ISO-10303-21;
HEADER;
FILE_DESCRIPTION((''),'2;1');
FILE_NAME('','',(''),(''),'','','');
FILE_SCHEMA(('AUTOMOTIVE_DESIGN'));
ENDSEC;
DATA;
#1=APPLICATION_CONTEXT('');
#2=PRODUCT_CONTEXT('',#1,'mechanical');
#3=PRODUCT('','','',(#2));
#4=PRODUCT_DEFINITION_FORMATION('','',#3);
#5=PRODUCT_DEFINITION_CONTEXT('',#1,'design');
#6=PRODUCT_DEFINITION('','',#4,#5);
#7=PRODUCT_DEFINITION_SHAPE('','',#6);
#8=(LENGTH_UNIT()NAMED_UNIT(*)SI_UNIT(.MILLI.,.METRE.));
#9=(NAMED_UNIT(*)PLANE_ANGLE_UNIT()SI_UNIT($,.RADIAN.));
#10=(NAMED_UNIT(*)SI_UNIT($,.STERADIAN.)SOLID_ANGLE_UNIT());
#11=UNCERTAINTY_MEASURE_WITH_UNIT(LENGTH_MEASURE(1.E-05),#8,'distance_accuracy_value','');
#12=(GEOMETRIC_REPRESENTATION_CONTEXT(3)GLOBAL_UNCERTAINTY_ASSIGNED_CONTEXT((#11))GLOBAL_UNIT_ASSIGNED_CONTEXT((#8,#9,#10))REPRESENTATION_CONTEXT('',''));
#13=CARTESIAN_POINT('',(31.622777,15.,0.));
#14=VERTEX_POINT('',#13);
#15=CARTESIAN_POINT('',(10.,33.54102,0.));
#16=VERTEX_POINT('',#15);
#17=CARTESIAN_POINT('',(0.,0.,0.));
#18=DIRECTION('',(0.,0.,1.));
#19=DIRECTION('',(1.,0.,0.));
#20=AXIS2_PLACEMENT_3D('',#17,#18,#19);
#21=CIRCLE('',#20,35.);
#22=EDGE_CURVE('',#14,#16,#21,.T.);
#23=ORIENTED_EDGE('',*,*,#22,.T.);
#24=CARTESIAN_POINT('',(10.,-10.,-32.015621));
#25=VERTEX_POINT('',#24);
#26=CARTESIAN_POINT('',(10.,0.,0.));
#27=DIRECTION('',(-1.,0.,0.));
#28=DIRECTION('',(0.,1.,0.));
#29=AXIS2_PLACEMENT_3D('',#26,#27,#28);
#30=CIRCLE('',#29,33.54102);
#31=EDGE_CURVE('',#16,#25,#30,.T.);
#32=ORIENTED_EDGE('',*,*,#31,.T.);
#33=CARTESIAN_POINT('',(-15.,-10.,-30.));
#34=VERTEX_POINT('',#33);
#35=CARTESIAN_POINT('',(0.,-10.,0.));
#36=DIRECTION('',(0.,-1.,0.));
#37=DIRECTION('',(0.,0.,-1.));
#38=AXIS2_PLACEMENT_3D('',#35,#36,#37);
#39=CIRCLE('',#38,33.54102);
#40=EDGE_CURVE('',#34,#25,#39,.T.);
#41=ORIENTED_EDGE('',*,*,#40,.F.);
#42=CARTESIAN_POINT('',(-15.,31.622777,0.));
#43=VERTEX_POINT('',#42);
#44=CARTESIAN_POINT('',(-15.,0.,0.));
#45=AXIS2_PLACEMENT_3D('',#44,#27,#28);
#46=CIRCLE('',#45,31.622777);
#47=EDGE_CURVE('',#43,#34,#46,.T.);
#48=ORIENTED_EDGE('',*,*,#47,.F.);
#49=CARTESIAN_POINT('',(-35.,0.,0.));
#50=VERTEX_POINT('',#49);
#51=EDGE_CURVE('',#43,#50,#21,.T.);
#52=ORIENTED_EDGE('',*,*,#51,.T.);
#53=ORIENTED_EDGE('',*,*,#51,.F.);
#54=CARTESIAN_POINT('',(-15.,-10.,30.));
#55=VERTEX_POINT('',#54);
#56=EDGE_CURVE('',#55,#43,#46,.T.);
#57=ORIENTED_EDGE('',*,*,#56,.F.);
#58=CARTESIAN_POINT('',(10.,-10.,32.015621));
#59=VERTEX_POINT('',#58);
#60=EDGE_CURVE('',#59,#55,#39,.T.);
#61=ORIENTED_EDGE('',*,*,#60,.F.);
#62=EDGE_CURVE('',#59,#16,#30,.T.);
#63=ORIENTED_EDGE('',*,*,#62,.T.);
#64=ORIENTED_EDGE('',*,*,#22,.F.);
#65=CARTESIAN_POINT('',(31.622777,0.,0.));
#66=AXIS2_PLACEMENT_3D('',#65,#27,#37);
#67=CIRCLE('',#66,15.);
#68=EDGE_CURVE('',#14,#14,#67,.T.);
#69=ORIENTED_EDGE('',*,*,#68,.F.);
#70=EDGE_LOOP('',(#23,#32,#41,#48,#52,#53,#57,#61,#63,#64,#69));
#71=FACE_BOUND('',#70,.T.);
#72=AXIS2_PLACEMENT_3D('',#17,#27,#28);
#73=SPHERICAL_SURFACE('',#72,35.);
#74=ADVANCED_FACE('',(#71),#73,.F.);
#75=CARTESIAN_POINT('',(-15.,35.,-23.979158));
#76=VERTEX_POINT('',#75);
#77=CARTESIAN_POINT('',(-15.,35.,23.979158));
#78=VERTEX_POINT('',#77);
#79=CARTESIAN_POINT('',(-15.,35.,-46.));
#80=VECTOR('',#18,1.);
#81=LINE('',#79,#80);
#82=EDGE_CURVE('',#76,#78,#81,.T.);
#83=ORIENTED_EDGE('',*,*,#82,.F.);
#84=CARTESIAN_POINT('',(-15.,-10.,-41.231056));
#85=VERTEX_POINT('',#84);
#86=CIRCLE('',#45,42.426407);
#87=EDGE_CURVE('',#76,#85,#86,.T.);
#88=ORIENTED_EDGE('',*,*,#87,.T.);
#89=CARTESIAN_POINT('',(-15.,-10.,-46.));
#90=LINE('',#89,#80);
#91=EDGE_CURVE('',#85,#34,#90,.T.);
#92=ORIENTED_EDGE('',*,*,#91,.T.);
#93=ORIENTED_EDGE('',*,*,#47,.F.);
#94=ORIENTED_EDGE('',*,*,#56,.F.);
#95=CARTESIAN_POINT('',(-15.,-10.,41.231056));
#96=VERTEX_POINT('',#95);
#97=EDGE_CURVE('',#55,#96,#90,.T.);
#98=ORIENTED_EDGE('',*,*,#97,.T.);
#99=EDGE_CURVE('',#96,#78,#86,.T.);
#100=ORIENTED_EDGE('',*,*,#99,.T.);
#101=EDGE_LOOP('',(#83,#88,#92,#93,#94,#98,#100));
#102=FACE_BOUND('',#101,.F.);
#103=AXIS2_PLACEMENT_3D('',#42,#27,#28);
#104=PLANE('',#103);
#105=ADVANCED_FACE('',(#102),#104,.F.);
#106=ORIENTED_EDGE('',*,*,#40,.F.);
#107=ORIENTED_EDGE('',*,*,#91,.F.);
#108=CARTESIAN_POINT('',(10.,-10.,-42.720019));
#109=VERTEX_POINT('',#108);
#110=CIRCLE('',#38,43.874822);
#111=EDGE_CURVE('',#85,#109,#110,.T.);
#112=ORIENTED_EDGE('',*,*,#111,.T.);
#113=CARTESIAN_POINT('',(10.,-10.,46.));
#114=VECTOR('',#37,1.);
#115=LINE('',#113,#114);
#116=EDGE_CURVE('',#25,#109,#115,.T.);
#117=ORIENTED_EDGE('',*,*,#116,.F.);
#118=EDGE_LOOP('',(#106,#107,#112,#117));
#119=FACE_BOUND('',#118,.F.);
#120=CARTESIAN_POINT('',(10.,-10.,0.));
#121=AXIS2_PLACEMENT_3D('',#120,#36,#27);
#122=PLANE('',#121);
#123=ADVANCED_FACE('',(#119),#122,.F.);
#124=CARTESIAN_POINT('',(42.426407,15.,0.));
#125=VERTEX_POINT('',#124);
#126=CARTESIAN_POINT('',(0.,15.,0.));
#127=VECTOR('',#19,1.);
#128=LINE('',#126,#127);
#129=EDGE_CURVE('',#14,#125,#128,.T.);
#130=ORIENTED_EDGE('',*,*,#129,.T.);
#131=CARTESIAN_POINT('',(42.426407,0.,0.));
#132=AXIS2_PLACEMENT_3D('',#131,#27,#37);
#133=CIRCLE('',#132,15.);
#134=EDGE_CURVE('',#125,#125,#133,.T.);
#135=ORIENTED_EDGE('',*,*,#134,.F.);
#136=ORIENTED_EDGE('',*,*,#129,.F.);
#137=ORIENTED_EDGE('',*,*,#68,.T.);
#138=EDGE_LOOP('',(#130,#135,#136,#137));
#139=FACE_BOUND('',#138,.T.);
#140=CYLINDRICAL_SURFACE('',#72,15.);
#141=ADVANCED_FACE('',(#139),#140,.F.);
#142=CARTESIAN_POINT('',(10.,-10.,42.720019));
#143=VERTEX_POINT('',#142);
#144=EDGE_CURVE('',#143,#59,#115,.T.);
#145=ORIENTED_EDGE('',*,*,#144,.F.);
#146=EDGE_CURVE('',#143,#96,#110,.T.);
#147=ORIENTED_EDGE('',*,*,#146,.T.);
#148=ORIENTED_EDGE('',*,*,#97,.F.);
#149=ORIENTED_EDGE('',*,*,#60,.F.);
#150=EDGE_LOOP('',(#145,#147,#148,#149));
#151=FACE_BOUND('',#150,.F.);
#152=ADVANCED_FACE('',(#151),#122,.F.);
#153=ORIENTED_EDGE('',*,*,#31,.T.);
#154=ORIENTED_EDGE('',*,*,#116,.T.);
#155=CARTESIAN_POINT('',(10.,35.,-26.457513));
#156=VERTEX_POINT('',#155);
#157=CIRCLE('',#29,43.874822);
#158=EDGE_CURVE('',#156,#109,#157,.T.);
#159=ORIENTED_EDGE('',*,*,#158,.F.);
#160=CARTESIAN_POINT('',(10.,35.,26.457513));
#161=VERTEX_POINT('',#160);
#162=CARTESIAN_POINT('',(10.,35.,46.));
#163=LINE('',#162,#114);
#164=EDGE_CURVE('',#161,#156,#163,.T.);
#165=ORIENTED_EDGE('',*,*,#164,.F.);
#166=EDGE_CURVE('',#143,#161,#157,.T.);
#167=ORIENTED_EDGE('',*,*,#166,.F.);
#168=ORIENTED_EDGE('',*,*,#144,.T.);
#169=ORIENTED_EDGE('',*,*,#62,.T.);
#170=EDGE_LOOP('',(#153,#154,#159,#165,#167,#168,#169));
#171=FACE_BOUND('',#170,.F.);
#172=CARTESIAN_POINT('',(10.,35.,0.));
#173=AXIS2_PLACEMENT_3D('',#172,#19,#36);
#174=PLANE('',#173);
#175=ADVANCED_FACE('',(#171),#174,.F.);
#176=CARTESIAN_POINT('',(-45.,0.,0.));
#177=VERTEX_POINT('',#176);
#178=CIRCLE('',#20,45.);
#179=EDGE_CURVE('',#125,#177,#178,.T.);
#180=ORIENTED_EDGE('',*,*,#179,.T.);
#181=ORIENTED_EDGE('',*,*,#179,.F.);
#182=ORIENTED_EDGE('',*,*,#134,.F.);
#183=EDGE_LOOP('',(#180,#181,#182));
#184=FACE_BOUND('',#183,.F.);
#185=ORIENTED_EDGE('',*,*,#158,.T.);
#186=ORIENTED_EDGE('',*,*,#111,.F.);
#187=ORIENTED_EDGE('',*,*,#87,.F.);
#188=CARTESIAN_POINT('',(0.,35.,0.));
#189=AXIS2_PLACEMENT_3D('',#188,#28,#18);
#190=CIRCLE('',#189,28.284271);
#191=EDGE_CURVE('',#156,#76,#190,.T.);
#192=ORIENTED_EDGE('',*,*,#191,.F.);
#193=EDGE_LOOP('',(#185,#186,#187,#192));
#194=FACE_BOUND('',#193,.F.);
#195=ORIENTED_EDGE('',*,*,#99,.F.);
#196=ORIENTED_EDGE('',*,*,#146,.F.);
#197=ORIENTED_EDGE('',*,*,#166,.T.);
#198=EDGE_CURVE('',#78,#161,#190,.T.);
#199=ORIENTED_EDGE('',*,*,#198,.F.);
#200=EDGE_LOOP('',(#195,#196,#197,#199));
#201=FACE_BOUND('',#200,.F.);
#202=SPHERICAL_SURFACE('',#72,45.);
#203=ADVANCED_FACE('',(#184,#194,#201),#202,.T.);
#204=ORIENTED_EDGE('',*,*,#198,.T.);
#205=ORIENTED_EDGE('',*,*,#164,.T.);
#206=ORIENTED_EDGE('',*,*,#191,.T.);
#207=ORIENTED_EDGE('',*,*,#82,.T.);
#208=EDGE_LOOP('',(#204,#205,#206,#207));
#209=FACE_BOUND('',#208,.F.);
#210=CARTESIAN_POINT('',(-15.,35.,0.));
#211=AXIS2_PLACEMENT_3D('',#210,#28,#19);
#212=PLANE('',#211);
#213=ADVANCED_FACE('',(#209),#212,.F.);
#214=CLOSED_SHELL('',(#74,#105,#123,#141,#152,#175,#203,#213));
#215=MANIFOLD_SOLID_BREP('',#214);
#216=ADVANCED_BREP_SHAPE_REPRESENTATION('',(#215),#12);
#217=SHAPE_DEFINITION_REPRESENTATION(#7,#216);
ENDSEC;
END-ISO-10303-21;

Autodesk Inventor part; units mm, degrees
ref_plane "YZ Plane" through (0, 0, 0) normal (1, 0, 0) x (0, 1, 0)
ref_plane "XZ Plane" through (0, 0, 0) normal (0, 1, 0) x (-1, 0, 0)
ref_plane "XY Plane" through (0, 0, 0) normal (0, 0, 1) x (1, 0, 0)
sketch "Эскиз1" plane through (0, 0, 0) normal (0, 0, 1) x (1, 0, 0)
  arc A0 (35, 0) -> (-35, 0) centre (0, 0) ccw
  arc A1 (45, 0) -> (-45, 0) centre (0, 0) ccw
  line L0 (-63, 0) -> (63, 0) projected
  dimension "d0" = 70
  dimension "d1" = 90
revolve "Вращение1" add sketch "Эскиз1" angle 360 about axis through (-10, 0, 0) along (1, 0, 0) contours A0 L0 A1
sketch "Эскиз2" plane through (0, 0, 0) normal (0, 0, 1) x (1, 0, 0)
  line L0 (-15, 35) -> (10, 35)
  line L1 (10, 35) -> (10, -10)
  line L2 (10, -10) -> (-15, -10)
  line L3 (-15, -10) -> (-15, 35)
  circle A0 centre (0, 0) radius 35 projected
  dimension "d3" = 25
  dimension "d4" = 10
  dimension "d5" = 45
  dimension "d6" = 10
extrude "Выдавливание1" cut sketch "Эскиз2" along normal through all both and the other way through all contours L0 A0 L3 | L0 L1 A0 | A0 L1 L2 L3 picked at (-5.0617, 4.4951)
sketch "Эскиз3" plane through (0, 0, 0) normal (1, 0, 0) x (0, 1, 0)
  circle A0 centre (0, 0) radius 15
  dimension "d9" = 30
extrude "Выдавливание2" cut sketch "Эскиз3" along normal through all
sketch "Эскиз4" plane through (0, 0, 0) normal (1, 0, 0) x (0, 1, 0)
  point P0 (0, 0)
properties part number "Шар Модель ДЗ" material "Сталь, высокопрочная, низколегированная"
